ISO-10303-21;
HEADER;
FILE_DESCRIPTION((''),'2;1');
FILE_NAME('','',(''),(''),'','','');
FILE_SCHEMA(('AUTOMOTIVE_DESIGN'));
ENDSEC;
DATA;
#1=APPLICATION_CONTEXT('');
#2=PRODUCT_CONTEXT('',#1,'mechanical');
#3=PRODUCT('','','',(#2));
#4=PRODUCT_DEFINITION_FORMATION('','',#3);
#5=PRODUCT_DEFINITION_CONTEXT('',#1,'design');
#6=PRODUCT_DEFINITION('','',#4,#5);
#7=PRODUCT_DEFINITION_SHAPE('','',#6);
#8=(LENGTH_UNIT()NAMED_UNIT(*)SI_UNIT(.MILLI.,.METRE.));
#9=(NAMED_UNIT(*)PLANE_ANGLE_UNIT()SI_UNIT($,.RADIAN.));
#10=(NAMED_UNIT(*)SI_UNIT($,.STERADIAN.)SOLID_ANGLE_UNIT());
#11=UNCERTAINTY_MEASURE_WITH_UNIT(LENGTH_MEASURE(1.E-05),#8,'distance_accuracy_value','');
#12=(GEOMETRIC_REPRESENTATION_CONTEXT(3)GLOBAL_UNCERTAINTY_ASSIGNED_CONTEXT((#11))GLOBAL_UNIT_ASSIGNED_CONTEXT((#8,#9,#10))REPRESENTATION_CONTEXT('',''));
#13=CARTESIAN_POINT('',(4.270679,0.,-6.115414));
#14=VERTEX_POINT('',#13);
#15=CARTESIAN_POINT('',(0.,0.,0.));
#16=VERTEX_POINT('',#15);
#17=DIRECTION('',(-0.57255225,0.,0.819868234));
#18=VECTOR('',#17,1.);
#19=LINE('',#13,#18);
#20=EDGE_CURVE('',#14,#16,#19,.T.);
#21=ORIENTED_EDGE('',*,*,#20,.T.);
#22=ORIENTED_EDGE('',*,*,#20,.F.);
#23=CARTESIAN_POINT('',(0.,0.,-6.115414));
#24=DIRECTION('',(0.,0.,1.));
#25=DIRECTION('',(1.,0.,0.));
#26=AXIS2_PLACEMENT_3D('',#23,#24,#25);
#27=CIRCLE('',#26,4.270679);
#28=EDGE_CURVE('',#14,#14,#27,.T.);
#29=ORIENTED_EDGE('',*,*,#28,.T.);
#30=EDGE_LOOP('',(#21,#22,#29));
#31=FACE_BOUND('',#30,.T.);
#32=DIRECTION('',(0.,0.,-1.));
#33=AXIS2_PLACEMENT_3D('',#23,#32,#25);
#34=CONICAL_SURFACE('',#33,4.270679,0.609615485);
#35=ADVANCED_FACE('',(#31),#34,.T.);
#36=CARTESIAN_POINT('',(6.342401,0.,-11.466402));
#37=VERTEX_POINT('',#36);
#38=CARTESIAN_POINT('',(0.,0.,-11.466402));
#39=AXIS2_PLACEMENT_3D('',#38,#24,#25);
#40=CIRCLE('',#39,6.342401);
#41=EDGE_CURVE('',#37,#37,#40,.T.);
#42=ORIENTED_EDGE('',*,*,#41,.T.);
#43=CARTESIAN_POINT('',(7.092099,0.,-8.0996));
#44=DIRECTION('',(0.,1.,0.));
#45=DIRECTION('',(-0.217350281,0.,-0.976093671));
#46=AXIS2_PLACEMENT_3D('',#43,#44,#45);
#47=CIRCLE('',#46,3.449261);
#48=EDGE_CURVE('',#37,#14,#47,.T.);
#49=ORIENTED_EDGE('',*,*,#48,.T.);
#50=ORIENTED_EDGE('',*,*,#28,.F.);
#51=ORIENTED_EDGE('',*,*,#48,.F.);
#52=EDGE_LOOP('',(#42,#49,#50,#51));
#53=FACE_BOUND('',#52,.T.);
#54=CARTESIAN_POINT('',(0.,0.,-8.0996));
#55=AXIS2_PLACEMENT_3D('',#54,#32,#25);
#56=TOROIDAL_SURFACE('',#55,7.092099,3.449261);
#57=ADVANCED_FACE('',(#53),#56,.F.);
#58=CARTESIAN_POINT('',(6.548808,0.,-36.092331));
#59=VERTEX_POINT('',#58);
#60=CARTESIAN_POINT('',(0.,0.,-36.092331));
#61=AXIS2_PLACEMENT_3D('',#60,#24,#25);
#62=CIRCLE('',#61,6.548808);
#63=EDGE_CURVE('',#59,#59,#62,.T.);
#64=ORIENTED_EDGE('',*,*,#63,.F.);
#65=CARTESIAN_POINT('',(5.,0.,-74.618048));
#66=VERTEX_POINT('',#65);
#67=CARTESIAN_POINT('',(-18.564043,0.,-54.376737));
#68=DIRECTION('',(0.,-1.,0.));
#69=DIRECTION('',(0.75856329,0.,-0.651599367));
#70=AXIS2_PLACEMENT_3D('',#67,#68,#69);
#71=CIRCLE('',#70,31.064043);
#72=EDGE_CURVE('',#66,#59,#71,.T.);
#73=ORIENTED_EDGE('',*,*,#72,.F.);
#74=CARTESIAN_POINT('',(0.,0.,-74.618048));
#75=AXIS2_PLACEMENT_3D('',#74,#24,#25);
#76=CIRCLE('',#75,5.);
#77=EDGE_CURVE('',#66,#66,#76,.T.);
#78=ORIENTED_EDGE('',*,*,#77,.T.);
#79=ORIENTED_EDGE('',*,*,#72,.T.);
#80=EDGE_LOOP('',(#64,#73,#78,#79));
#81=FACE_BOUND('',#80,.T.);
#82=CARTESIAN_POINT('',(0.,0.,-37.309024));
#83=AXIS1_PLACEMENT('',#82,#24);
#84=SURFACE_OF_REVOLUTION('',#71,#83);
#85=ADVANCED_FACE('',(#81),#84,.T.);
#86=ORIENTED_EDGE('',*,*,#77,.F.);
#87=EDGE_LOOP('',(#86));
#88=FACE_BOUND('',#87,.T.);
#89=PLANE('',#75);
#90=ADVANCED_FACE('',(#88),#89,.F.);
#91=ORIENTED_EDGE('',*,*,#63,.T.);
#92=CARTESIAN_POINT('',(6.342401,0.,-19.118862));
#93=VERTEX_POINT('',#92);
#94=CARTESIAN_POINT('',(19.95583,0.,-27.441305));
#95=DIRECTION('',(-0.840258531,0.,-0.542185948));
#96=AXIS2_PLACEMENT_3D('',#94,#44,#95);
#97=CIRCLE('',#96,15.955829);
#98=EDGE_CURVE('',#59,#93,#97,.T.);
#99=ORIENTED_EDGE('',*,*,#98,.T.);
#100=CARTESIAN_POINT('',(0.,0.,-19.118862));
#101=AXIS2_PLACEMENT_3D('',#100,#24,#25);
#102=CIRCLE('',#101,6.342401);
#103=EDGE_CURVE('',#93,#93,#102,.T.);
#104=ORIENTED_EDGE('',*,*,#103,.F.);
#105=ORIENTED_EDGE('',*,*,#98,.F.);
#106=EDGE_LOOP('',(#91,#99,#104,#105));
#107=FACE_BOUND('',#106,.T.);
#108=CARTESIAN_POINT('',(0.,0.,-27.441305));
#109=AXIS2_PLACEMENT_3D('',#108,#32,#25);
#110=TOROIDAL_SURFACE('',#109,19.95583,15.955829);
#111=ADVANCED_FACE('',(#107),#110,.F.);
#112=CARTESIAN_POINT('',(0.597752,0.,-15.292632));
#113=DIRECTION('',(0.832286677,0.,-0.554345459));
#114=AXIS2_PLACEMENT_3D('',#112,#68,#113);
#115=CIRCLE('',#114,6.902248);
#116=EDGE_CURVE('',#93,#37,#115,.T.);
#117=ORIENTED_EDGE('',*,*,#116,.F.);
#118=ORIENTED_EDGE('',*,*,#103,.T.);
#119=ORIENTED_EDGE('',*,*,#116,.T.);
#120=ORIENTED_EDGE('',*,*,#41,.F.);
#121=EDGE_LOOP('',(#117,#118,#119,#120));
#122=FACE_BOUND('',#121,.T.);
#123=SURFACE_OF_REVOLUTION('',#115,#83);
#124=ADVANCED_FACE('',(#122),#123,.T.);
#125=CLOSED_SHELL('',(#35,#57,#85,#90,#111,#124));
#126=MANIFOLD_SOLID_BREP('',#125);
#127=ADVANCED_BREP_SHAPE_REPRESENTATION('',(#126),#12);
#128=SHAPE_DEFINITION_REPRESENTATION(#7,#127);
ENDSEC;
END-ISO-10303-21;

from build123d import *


with BuildPart() as f1:
    # F0 (on Front) → F1 (revolve)
    with BuildSketch(Plane.XZ):
        with BuildLine():
            Line((4.270679, -6.115414), (0, 0))
            Line((0, 0), (0, -74.618048))
            Line((0, -74.618048), (5, -74.618048))
            ThreePointArc((5, -74.618048), (12.474928, -55.624564), (6.548808, -36.092331))
            ThreePointArc((6.548808, -36.092331), (4.00118, -27.635322), (6.342401, -19.118862))
            ThreePointArc((6.342401, -19.118862), (7.5, -15.292632), (6.342401, -11.466402))
            ThreePointArc((6.342401, -11.466402), (3.875503, -9.344957), (4.270679, -6.115414))
        make_face()
    revolve(axis=Axis((0, 0, -37.309024), (0, 0, 1)))


solid = f1.part
